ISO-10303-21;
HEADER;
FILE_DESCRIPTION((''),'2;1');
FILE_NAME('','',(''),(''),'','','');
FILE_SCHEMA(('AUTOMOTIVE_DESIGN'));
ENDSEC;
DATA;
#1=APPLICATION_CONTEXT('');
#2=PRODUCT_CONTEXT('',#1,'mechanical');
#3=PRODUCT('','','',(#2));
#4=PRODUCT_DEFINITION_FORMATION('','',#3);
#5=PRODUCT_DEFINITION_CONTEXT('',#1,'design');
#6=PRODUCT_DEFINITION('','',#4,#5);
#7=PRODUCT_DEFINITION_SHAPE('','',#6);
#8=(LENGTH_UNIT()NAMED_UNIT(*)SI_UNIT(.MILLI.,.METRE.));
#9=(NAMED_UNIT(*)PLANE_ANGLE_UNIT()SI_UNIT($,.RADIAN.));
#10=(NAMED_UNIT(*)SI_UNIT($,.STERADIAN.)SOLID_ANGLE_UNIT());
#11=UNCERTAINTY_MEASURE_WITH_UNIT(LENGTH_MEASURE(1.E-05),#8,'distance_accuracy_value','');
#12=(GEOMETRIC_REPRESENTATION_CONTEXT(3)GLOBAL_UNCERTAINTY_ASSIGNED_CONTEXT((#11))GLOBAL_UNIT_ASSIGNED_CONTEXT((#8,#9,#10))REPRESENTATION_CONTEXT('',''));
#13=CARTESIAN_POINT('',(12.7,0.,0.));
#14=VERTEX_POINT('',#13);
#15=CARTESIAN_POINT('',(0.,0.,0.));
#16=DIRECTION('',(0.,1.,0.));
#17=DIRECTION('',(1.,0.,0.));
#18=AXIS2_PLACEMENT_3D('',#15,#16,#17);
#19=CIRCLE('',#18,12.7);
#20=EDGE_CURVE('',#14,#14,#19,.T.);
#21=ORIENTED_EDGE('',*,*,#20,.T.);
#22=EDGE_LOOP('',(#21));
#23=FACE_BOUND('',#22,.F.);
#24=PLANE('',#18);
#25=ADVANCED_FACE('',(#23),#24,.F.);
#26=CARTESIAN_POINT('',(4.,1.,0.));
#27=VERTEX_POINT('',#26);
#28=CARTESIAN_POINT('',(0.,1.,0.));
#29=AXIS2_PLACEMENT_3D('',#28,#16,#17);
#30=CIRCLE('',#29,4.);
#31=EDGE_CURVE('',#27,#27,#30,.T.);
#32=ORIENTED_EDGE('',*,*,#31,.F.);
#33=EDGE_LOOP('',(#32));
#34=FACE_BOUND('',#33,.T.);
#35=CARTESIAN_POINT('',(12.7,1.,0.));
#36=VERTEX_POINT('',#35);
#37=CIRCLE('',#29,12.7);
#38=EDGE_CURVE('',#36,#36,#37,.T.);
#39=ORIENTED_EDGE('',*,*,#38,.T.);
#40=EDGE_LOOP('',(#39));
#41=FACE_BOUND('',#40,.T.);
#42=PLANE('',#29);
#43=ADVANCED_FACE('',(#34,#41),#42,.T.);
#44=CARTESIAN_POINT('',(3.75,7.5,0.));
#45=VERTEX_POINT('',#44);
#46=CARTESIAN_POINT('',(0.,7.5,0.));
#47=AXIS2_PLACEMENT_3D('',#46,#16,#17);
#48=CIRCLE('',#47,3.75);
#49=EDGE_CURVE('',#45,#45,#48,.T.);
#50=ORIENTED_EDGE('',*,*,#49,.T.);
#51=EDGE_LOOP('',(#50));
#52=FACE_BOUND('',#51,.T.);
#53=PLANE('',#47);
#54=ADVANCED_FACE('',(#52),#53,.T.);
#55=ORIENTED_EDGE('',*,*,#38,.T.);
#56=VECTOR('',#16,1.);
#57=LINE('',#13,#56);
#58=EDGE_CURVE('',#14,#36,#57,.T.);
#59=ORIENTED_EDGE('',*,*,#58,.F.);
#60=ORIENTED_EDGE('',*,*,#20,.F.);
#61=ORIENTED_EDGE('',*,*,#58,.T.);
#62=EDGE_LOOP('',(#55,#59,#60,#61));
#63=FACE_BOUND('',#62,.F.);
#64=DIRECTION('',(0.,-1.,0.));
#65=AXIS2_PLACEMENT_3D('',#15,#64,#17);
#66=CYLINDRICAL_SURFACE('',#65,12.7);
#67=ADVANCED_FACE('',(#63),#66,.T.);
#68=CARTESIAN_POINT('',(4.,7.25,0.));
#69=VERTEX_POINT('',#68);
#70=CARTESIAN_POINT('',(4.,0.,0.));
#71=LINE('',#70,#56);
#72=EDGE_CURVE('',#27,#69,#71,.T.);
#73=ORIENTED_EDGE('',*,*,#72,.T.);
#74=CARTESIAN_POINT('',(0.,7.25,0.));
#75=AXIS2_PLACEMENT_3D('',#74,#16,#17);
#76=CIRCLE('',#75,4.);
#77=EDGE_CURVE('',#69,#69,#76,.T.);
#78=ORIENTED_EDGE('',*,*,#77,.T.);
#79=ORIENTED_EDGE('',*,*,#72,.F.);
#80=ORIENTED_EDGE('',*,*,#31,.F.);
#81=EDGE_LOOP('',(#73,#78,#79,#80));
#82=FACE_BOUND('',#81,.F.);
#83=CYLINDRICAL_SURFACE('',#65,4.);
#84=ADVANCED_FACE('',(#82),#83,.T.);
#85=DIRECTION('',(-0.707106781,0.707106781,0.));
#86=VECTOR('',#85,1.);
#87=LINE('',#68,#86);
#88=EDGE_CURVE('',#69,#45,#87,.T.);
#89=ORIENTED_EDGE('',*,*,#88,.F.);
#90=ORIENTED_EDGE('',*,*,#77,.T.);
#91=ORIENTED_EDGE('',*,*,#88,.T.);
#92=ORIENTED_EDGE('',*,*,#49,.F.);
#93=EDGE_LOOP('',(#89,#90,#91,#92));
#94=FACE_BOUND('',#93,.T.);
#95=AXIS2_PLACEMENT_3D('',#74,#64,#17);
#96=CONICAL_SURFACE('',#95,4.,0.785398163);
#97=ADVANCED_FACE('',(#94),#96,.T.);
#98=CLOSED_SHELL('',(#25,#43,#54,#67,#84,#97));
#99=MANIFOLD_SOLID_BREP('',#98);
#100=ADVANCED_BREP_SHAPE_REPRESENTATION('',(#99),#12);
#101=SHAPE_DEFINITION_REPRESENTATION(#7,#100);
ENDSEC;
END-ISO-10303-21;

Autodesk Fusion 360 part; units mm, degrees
sketch "Sketch1" plane through (0, 0, 0) normal (0, 1, 0) x (1, 0, 0)
  circle A0 centre (0, 0) radius 12.7
  circle A1 centre (0, 0) radius 4
  dimension "d1" = 25.4
  dimension "d4" = 8
extrude "Extrude1" add sketch "Sketch1" along normal blind 1
extrude "Extrude2" add sketch "Sketch1" along normal blind 7.5 contours A1
chamfer "Chamfer1" distance 0.25 angle 45 1 edges at (-3.7293, 7.5, 1.4465)
equation "d5 = 10.5 mm - 3 mm"
